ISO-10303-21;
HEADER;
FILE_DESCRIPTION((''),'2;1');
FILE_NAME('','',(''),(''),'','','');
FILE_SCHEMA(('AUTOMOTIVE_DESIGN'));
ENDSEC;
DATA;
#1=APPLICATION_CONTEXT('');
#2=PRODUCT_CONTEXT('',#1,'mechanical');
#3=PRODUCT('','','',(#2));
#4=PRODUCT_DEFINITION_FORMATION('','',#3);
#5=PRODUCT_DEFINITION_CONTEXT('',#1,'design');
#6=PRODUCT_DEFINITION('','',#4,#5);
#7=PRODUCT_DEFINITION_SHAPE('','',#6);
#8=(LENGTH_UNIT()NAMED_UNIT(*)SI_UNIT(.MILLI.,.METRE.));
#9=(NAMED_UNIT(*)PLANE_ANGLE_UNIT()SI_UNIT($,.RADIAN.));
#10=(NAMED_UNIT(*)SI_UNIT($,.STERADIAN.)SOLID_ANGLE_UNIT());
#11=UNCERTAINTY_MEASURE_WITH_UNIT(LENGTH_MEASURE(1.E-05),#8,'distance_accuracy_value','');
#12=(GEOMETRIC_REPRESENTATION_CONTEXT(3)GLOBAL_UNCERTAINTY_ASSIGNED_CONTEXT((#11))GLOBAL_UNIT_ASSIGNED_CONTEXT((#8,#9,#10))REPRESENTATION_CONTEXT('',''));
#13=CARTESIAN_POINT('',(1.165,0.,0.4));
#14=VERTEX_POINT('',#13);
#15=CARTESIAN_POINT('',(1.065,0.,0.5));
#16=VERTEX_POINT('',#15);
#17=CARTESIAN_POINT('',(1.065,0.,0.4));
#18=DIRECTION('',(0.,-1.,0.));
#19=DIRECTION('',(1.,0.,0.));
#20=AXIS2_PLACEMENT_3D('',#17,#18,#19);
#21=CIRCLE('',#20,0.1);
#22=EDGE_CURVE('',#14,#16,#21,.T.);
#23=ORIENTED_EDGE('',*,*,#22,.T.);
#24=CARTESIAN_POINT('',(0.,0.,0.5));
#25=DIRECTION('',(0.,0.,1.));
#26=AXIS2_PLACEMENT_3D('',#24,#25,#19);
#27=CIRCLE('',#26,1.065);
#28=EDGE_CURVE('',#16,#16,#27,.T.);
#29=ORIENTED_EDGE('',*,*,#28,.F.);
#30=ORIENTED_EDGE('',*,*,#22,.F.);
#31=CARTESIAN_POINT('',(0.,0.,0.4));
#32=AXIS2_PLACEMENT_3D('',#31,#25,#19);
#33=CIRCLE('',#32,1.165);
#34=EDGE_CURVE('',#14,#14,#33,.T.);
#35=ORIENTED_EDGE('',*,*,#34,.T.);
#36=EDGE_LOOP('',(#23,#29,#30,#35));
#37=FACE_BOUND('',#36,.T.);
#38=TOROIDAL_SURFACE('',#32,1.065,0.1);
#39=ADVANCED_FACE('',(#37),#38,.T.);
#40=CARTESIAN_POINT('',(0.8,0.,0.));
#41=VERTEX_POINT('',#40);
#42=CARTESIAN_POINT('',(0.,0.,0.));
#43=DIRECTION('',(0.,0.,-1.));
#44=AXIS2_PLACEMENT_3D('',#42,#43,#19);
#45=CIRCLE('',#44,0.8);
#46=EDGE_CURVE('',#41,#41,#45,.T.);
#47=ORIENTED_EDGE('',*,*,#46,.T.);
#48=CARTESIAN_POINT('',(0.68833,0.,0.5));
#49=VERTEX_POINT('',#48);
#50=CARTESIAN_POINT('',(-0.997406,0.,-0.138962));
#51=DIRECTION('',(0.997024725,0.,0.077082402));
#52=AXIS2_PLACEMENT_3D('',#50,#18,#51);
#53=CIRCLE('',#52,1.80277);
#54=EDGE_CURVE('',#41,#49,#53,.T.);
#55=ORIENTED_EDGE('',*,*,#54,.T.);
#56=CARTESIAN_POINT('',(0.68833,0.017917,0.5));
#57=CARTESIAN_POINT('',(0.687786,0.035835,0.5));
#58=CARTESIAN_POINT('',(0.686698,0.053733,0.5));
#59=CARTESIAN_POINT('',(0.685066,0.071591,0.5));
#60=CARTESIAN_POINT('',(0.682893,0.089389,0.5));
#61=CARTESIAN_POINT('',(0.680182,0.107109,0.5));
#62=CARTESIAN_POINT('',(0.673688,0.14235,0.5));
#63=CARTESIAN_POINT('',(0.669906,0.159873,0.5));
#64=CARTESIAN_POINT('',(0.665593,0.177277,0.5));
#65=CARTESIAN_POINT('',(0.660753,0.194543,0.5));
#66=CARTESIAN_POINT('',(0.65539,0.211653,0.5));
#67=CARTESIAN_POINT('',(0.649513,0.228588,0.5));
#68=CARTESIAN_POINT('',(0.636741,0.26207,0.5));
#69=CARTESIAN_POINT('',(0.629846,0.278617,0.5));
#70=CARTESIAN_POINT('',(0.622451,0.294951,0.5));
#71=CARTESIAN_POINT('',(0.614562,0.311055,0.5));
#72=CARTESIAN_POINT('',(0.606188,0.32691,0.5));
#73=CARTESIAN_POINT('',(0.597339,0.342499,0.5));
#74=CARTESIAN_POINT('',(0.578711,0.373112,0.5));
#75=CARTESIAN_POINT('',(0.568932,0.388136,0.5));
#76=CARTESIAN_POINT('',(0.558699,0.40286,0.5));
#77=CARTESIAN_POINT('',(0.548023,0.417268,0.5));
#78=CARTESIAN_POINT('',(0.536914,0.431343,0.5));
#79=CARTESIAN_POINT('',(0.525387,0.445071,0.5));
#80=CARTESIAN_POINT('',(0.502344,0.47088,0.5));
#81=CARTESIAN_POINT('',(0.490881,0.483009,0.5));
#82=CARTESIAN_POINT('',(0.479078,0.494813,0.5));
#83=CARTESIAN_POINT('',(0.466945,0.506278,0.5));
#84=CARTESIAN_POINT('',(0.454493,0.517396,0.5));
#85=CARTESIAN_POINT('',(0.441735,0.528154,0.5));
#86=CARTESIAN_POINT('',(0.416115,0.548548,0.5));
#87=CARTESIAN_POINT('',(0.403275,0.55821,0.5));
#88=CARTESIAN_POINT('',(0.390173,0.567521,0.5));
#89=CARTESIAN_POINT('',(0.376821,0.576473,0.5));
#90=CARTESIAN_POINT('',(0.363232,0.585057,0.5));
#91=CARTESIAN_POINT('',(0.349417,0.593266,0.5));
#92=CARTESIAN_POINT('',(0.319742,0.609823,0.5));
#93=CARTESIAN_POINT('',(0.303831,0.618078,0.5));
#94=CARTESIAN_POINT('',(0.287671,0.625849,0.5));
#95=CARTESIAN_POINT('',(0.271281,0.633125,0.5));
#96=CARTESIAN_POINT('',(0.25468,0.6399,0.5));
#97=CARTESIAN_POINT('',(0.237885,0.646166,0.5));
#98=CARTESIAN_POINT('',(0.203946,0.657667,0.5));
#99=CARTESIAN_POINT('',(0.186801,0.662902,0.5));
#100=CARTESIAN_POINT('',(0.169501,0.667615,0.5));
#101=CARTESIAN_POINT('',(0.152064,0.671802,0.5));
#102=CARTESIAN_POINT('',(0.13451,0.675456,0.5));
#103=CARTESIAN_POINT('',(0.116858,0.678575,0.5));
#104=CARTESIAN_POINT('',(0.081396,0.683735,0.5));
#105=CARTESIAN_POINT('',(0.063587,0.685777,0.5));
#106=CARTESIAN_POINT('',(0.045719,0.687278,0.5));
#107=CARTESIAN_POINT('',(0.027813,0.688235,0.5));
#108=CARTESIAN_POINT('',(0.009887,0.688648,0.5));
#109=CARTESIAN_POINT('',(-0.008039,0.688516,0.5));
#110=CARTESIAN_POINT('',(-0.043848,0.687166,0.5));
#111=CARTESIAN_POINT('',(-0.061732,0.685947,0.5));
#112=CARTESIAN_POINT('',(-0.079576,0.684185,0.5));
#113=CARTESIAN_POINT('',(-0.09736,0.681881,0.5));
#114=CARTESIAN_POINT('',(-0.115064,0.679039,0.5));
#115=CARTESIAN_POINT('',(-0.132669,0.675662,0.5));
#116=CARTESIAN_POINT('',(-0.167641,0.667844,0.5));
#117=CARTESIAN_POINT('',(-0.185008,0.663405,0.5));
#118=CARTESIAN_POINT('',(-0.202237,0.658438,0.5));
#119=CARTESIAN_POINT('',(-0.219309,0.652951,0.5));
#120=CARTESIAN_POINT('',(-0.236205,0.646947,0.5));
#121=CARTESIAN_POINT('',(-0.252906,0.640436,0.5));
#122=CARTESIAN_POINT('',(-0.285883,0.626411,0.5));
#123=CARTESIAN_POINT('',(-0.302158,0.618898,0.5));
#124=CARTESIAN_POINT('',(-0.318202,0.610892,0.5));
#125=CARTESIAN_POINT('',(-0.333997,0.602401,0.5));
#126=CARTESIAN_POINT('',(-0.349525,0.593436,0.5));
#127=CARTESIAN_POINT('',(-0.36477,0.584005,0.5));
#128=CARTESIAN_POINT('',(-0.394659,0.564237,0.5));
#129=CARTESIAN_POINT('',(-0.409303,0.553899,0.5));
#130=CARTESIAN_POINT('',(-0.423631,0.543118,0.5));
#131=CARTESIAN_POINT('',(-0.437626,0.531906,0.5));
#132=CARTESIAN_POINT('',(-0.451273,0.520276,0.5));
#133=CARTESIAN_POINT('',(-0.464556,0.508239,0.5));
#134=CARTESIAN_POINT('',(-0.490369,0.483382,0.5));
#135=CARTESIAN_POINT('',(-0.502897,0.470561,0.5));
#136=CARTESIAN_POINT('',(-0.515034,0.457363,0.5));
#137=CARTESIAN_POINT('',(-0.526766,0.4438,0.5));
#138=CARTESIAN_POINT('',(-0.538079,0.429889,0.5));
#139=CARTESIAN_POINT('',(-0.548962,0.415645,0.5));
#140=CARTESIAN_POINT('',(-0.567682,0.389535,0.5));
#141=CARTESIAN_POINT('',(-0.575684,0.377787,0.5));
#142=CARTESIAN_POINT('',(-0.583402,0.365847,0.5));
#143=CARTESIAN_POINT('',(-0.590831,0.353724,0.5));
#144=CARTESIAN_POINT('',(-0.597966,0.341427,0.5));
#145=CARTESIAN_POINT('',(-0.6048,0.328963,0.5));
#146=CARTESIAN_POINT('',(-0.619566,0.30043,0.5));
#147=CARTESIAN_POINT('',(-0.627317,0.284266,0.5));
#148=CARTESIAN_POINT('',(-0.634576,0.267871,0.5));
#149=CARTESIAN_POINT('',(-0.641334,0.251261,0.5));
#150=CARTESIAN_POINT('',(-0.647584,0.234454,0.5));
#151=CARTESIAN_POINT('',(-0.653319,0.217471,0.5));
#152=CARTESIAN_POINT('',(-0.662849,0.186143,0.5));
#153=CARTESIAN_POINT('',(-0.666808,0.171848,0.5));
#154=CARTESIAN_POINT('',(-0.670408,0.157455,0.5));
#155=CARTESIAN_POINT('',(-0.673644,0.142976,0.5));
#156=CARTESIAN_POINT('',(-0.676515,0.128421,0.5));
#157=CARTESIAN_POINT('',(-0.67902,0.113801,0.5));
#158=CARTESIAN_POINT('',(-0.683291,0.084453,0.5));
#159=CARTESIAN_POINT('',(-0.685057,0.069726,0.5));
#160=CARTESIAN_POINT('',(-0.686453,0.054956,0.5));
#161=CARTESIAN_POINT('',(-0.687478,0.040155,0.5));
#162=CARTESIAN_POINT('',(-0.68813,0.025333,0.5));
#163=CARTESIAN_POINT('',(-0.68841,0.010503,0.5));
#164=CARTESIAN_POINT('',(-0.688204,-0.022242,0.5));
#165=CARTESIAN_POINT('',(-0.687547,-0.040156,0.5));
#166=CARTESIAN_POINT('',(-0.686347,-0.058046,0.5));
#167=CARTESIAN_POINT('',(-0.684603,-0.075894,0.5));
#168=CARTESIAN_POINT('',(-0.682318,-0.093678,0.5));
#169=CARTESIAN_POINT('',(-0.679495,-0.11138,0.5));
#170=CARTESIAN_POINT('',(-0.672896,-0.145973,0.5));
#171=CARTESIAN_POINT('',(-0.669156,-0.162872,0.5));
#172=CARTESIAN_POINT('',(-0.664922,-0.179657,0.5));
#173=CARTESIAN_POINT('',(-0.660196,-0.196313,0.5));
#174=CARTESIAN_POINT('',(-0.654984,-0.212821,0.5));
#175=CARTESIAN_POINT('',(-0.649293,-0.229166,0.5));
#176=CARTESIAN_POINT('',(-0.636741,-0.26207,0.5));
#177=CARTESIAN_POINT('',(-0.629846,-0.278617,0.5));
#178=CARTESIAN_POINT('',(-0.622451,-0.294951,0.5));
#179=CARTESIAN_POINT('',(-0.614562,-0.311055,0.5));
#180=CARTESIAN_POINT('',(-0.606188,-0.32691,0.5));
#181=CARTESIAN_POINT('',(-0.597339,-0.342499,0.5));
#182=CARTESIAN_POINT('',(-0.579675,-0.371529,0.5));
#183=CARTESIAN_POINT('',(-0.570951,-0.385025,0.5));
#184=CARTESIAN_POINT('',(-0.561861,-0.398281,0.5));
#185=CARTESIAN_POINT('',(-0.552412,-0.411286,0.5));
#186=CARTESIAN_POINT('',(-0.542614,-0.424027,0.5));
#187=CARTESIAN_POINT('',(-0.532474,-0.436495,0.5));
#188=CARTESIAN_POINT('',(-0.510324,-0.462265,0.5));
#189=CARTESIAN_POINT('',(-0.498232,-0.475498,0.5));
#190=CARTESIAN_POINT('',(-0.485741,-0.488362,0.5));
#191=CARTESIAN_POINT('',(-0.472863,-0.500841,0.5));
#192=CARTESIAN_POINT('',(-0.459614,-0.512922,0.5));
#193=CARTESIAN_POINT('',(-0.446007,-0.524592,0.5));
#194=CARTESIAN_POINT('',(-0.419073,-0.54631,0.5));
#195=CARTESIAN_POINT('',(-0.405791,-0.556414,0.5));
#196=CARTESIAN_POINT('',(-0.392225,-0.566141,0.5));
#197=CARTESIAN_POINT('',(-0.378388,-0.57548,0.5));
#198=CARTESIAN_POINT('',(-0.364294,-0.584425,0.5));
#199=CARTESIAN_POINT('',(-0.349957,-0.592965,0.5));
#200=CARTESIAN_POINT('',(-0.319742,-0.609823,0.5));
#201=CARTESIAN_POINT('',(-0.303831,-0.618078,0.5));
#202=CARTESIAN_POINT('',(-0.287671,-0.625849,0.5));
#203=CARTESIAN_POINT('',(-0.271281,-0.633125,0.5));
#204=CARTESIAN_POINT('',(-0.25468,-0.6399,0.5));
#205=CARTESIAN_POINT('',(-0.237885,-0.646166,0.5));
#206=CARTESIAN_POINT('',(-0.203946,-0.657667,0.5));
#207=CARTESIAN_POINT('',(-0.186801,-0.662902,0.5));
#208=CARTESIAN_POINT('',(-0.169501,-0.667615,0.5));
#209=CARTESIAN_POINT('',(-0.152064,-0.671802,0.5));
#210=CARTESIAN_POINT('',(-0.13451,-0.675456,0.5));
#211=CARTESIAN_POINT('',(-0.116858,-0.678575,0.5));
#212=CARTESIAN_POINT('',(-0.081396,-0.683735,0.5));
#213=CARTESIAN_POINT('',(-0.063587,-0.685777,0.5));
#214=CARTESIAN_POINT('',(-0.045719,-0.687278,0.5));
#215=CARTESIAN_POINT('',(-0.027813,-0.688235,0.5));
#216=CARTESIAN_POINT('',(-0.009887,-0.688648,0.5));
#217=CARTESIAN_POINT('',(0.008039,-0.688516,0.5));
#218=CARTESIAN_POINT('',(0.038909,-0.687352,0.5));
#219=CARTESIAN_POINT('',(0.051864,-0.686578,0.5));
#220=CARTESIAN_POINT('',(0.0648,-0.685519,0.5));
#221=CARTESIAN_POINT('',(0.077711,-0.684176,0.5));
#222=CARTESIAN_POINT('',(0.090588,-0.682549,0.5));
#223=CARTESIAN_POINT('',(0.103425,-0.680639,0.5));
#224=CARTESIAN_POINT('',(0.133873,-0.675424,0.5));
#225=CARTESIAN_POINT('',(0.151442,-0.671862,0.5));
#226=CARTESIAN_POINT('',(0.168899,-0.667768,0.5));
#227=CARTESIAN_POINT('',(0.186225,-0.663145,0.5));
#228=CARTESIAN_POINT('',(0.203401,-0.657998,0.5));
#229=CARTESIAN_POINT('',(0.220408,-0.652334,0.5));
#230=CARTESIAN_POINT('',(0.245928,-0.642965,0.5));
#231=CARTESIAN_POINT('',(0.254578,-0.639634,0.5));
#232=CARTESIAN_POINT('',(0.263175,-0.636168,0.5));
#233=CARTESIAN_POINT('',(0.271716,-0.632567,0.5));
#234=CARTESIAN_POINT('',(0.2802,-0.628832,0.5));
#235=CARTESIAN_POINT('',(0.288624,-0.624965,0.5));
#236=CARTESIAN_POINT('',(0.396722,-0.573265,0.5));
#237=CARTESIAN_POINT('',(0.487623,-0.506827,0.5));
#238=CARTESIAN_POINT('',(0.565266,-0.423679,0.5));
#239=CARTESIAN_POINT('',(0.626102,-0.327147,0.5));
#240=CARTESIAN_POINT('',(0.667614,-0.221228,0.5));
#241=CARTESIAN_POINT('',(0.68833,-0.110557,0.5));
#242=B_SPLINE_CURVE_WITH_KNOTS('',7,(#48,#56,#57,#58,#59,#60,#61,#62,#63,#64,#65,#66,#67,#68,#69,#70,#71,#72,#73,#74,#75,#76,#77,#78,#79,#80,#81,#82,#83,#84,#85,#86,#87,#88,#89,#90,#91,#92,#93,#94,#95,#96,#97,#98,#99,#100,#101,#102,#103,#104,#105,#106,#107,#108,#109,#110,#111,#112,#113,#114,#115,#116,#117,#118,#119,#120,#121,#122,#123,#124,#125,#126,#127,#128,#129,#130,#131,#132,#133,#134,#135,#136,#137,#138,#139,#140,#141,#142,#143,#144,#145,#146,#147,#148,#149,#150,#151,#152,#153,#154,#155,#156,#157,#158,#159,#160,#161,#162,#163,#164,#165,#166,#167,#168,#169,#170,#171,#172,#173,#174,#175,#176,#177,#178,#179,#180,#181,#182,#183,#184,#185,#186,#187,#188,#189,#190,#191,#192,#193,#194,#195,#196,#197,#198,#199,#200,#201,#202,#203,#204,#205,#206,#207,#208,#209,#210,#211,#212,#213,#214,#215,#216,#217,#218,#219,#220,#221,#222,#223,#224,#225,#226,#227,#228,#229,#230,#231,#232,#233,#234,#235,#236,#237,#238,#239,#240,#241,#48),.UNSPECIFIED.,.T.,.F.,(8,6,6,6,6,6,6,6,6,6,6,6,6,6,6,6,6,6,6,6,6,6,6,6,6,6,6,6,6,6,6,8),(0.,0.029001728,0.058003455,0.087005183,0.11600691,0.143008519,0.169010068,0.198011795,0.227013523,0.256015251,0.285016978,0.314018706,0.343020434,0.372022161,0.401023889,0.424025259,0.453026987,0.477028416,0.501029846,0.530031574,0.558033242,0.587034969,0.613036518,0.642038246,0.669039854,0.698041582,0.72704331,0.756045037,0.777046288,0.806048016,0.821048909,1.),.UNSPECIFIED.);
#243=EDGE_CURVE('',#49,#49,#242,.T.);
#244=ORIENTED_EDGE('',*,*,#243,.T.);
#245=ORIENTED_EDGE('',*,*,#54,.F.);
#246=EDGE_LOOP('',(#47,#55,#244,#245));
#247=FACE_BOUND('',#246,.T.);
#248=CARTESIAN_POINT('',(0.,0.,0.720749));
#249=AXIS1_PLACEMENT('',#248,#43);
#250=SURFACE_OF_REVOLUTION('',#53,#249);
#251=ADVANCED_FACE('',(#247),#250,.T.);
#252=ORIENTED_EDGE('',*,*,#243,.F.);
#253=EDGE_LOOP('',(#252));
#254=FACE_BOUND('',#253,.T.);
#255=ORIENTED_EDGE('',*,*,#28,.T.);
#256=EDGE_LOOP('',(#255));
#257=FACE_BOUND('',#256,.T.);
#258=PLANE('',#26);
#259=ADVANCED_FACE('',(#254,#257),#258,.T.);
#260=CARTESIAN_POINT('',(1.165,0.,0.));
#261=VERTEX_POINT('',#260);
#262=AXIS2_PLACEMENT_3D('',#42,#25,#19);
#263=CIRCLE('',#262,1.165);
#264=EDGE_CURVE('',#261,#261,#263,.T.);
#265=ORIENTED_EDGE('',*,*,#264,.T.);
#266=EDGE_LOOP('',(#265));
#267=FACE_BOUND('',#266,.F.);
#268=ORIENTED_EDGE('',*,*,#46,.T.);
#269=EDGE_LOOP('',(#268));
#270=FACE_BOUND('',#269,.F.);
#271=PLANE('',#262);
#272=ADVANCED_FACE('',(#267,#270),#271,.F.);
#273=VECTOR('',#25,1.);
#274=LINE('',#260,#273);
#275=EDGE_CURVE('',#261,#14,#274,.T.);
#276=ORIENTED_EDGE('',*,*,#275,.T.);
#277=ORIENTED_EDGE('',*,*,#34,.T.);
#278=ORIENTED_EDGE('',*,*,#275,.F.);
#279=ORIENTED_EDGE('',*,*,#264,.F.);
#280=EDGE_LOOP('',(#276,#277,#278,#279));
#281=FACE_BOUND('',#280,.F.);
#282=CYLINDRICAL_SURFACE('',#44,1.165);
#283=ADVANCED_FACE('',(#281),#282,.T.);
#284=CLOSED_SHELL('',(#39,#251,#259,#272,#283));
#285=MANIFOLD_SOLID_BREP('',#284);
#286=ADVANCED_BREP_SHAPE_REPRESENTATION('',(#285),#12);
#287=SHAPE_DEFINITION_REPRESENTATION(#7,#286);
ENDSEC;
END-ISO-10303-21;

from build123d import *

# Parameters (mm, degrees)
F0_R     = 1.165
F2_DEPTH = 0.5
F4_R     = 0.1


with BuildPart() as f2:
    # F0 (on Top) → F2 (new body)
    with BuildSketch(Plane.XY):
        Circle(F0_R)
    extrude(amount=F2_DEPTH)

    # F1 (on Front) → F3 (revolve, cut)
    with BuildSketch(Plane.XZ):
        with BuildLine():
            Line((0.339578, 1), (0, 1))
            Line((0, 1), (0, 0))
            Line((0, 0), (0.8, 0))
            ThreePointArc((0.8, 0), (0.6878, 0.501397), (0.438715, 0.950779))
            ThreePointArc((0.438715, 0.950779), (0.39492, 0.987017), (0.339578, 1))
        make_face()
    revolve(axis=Axis((0, 0, 0.720749), (0, 0, -1)), mode=Mode.SUBTRACT)

    # F4
    f4_edges = [f2.edges().sort_by_distance(p)[0] for p in [
        (-1.165, 0, 0.5),
    ]]
    fillet(f4_edges, radius=F4_R)


solid = f2.part
